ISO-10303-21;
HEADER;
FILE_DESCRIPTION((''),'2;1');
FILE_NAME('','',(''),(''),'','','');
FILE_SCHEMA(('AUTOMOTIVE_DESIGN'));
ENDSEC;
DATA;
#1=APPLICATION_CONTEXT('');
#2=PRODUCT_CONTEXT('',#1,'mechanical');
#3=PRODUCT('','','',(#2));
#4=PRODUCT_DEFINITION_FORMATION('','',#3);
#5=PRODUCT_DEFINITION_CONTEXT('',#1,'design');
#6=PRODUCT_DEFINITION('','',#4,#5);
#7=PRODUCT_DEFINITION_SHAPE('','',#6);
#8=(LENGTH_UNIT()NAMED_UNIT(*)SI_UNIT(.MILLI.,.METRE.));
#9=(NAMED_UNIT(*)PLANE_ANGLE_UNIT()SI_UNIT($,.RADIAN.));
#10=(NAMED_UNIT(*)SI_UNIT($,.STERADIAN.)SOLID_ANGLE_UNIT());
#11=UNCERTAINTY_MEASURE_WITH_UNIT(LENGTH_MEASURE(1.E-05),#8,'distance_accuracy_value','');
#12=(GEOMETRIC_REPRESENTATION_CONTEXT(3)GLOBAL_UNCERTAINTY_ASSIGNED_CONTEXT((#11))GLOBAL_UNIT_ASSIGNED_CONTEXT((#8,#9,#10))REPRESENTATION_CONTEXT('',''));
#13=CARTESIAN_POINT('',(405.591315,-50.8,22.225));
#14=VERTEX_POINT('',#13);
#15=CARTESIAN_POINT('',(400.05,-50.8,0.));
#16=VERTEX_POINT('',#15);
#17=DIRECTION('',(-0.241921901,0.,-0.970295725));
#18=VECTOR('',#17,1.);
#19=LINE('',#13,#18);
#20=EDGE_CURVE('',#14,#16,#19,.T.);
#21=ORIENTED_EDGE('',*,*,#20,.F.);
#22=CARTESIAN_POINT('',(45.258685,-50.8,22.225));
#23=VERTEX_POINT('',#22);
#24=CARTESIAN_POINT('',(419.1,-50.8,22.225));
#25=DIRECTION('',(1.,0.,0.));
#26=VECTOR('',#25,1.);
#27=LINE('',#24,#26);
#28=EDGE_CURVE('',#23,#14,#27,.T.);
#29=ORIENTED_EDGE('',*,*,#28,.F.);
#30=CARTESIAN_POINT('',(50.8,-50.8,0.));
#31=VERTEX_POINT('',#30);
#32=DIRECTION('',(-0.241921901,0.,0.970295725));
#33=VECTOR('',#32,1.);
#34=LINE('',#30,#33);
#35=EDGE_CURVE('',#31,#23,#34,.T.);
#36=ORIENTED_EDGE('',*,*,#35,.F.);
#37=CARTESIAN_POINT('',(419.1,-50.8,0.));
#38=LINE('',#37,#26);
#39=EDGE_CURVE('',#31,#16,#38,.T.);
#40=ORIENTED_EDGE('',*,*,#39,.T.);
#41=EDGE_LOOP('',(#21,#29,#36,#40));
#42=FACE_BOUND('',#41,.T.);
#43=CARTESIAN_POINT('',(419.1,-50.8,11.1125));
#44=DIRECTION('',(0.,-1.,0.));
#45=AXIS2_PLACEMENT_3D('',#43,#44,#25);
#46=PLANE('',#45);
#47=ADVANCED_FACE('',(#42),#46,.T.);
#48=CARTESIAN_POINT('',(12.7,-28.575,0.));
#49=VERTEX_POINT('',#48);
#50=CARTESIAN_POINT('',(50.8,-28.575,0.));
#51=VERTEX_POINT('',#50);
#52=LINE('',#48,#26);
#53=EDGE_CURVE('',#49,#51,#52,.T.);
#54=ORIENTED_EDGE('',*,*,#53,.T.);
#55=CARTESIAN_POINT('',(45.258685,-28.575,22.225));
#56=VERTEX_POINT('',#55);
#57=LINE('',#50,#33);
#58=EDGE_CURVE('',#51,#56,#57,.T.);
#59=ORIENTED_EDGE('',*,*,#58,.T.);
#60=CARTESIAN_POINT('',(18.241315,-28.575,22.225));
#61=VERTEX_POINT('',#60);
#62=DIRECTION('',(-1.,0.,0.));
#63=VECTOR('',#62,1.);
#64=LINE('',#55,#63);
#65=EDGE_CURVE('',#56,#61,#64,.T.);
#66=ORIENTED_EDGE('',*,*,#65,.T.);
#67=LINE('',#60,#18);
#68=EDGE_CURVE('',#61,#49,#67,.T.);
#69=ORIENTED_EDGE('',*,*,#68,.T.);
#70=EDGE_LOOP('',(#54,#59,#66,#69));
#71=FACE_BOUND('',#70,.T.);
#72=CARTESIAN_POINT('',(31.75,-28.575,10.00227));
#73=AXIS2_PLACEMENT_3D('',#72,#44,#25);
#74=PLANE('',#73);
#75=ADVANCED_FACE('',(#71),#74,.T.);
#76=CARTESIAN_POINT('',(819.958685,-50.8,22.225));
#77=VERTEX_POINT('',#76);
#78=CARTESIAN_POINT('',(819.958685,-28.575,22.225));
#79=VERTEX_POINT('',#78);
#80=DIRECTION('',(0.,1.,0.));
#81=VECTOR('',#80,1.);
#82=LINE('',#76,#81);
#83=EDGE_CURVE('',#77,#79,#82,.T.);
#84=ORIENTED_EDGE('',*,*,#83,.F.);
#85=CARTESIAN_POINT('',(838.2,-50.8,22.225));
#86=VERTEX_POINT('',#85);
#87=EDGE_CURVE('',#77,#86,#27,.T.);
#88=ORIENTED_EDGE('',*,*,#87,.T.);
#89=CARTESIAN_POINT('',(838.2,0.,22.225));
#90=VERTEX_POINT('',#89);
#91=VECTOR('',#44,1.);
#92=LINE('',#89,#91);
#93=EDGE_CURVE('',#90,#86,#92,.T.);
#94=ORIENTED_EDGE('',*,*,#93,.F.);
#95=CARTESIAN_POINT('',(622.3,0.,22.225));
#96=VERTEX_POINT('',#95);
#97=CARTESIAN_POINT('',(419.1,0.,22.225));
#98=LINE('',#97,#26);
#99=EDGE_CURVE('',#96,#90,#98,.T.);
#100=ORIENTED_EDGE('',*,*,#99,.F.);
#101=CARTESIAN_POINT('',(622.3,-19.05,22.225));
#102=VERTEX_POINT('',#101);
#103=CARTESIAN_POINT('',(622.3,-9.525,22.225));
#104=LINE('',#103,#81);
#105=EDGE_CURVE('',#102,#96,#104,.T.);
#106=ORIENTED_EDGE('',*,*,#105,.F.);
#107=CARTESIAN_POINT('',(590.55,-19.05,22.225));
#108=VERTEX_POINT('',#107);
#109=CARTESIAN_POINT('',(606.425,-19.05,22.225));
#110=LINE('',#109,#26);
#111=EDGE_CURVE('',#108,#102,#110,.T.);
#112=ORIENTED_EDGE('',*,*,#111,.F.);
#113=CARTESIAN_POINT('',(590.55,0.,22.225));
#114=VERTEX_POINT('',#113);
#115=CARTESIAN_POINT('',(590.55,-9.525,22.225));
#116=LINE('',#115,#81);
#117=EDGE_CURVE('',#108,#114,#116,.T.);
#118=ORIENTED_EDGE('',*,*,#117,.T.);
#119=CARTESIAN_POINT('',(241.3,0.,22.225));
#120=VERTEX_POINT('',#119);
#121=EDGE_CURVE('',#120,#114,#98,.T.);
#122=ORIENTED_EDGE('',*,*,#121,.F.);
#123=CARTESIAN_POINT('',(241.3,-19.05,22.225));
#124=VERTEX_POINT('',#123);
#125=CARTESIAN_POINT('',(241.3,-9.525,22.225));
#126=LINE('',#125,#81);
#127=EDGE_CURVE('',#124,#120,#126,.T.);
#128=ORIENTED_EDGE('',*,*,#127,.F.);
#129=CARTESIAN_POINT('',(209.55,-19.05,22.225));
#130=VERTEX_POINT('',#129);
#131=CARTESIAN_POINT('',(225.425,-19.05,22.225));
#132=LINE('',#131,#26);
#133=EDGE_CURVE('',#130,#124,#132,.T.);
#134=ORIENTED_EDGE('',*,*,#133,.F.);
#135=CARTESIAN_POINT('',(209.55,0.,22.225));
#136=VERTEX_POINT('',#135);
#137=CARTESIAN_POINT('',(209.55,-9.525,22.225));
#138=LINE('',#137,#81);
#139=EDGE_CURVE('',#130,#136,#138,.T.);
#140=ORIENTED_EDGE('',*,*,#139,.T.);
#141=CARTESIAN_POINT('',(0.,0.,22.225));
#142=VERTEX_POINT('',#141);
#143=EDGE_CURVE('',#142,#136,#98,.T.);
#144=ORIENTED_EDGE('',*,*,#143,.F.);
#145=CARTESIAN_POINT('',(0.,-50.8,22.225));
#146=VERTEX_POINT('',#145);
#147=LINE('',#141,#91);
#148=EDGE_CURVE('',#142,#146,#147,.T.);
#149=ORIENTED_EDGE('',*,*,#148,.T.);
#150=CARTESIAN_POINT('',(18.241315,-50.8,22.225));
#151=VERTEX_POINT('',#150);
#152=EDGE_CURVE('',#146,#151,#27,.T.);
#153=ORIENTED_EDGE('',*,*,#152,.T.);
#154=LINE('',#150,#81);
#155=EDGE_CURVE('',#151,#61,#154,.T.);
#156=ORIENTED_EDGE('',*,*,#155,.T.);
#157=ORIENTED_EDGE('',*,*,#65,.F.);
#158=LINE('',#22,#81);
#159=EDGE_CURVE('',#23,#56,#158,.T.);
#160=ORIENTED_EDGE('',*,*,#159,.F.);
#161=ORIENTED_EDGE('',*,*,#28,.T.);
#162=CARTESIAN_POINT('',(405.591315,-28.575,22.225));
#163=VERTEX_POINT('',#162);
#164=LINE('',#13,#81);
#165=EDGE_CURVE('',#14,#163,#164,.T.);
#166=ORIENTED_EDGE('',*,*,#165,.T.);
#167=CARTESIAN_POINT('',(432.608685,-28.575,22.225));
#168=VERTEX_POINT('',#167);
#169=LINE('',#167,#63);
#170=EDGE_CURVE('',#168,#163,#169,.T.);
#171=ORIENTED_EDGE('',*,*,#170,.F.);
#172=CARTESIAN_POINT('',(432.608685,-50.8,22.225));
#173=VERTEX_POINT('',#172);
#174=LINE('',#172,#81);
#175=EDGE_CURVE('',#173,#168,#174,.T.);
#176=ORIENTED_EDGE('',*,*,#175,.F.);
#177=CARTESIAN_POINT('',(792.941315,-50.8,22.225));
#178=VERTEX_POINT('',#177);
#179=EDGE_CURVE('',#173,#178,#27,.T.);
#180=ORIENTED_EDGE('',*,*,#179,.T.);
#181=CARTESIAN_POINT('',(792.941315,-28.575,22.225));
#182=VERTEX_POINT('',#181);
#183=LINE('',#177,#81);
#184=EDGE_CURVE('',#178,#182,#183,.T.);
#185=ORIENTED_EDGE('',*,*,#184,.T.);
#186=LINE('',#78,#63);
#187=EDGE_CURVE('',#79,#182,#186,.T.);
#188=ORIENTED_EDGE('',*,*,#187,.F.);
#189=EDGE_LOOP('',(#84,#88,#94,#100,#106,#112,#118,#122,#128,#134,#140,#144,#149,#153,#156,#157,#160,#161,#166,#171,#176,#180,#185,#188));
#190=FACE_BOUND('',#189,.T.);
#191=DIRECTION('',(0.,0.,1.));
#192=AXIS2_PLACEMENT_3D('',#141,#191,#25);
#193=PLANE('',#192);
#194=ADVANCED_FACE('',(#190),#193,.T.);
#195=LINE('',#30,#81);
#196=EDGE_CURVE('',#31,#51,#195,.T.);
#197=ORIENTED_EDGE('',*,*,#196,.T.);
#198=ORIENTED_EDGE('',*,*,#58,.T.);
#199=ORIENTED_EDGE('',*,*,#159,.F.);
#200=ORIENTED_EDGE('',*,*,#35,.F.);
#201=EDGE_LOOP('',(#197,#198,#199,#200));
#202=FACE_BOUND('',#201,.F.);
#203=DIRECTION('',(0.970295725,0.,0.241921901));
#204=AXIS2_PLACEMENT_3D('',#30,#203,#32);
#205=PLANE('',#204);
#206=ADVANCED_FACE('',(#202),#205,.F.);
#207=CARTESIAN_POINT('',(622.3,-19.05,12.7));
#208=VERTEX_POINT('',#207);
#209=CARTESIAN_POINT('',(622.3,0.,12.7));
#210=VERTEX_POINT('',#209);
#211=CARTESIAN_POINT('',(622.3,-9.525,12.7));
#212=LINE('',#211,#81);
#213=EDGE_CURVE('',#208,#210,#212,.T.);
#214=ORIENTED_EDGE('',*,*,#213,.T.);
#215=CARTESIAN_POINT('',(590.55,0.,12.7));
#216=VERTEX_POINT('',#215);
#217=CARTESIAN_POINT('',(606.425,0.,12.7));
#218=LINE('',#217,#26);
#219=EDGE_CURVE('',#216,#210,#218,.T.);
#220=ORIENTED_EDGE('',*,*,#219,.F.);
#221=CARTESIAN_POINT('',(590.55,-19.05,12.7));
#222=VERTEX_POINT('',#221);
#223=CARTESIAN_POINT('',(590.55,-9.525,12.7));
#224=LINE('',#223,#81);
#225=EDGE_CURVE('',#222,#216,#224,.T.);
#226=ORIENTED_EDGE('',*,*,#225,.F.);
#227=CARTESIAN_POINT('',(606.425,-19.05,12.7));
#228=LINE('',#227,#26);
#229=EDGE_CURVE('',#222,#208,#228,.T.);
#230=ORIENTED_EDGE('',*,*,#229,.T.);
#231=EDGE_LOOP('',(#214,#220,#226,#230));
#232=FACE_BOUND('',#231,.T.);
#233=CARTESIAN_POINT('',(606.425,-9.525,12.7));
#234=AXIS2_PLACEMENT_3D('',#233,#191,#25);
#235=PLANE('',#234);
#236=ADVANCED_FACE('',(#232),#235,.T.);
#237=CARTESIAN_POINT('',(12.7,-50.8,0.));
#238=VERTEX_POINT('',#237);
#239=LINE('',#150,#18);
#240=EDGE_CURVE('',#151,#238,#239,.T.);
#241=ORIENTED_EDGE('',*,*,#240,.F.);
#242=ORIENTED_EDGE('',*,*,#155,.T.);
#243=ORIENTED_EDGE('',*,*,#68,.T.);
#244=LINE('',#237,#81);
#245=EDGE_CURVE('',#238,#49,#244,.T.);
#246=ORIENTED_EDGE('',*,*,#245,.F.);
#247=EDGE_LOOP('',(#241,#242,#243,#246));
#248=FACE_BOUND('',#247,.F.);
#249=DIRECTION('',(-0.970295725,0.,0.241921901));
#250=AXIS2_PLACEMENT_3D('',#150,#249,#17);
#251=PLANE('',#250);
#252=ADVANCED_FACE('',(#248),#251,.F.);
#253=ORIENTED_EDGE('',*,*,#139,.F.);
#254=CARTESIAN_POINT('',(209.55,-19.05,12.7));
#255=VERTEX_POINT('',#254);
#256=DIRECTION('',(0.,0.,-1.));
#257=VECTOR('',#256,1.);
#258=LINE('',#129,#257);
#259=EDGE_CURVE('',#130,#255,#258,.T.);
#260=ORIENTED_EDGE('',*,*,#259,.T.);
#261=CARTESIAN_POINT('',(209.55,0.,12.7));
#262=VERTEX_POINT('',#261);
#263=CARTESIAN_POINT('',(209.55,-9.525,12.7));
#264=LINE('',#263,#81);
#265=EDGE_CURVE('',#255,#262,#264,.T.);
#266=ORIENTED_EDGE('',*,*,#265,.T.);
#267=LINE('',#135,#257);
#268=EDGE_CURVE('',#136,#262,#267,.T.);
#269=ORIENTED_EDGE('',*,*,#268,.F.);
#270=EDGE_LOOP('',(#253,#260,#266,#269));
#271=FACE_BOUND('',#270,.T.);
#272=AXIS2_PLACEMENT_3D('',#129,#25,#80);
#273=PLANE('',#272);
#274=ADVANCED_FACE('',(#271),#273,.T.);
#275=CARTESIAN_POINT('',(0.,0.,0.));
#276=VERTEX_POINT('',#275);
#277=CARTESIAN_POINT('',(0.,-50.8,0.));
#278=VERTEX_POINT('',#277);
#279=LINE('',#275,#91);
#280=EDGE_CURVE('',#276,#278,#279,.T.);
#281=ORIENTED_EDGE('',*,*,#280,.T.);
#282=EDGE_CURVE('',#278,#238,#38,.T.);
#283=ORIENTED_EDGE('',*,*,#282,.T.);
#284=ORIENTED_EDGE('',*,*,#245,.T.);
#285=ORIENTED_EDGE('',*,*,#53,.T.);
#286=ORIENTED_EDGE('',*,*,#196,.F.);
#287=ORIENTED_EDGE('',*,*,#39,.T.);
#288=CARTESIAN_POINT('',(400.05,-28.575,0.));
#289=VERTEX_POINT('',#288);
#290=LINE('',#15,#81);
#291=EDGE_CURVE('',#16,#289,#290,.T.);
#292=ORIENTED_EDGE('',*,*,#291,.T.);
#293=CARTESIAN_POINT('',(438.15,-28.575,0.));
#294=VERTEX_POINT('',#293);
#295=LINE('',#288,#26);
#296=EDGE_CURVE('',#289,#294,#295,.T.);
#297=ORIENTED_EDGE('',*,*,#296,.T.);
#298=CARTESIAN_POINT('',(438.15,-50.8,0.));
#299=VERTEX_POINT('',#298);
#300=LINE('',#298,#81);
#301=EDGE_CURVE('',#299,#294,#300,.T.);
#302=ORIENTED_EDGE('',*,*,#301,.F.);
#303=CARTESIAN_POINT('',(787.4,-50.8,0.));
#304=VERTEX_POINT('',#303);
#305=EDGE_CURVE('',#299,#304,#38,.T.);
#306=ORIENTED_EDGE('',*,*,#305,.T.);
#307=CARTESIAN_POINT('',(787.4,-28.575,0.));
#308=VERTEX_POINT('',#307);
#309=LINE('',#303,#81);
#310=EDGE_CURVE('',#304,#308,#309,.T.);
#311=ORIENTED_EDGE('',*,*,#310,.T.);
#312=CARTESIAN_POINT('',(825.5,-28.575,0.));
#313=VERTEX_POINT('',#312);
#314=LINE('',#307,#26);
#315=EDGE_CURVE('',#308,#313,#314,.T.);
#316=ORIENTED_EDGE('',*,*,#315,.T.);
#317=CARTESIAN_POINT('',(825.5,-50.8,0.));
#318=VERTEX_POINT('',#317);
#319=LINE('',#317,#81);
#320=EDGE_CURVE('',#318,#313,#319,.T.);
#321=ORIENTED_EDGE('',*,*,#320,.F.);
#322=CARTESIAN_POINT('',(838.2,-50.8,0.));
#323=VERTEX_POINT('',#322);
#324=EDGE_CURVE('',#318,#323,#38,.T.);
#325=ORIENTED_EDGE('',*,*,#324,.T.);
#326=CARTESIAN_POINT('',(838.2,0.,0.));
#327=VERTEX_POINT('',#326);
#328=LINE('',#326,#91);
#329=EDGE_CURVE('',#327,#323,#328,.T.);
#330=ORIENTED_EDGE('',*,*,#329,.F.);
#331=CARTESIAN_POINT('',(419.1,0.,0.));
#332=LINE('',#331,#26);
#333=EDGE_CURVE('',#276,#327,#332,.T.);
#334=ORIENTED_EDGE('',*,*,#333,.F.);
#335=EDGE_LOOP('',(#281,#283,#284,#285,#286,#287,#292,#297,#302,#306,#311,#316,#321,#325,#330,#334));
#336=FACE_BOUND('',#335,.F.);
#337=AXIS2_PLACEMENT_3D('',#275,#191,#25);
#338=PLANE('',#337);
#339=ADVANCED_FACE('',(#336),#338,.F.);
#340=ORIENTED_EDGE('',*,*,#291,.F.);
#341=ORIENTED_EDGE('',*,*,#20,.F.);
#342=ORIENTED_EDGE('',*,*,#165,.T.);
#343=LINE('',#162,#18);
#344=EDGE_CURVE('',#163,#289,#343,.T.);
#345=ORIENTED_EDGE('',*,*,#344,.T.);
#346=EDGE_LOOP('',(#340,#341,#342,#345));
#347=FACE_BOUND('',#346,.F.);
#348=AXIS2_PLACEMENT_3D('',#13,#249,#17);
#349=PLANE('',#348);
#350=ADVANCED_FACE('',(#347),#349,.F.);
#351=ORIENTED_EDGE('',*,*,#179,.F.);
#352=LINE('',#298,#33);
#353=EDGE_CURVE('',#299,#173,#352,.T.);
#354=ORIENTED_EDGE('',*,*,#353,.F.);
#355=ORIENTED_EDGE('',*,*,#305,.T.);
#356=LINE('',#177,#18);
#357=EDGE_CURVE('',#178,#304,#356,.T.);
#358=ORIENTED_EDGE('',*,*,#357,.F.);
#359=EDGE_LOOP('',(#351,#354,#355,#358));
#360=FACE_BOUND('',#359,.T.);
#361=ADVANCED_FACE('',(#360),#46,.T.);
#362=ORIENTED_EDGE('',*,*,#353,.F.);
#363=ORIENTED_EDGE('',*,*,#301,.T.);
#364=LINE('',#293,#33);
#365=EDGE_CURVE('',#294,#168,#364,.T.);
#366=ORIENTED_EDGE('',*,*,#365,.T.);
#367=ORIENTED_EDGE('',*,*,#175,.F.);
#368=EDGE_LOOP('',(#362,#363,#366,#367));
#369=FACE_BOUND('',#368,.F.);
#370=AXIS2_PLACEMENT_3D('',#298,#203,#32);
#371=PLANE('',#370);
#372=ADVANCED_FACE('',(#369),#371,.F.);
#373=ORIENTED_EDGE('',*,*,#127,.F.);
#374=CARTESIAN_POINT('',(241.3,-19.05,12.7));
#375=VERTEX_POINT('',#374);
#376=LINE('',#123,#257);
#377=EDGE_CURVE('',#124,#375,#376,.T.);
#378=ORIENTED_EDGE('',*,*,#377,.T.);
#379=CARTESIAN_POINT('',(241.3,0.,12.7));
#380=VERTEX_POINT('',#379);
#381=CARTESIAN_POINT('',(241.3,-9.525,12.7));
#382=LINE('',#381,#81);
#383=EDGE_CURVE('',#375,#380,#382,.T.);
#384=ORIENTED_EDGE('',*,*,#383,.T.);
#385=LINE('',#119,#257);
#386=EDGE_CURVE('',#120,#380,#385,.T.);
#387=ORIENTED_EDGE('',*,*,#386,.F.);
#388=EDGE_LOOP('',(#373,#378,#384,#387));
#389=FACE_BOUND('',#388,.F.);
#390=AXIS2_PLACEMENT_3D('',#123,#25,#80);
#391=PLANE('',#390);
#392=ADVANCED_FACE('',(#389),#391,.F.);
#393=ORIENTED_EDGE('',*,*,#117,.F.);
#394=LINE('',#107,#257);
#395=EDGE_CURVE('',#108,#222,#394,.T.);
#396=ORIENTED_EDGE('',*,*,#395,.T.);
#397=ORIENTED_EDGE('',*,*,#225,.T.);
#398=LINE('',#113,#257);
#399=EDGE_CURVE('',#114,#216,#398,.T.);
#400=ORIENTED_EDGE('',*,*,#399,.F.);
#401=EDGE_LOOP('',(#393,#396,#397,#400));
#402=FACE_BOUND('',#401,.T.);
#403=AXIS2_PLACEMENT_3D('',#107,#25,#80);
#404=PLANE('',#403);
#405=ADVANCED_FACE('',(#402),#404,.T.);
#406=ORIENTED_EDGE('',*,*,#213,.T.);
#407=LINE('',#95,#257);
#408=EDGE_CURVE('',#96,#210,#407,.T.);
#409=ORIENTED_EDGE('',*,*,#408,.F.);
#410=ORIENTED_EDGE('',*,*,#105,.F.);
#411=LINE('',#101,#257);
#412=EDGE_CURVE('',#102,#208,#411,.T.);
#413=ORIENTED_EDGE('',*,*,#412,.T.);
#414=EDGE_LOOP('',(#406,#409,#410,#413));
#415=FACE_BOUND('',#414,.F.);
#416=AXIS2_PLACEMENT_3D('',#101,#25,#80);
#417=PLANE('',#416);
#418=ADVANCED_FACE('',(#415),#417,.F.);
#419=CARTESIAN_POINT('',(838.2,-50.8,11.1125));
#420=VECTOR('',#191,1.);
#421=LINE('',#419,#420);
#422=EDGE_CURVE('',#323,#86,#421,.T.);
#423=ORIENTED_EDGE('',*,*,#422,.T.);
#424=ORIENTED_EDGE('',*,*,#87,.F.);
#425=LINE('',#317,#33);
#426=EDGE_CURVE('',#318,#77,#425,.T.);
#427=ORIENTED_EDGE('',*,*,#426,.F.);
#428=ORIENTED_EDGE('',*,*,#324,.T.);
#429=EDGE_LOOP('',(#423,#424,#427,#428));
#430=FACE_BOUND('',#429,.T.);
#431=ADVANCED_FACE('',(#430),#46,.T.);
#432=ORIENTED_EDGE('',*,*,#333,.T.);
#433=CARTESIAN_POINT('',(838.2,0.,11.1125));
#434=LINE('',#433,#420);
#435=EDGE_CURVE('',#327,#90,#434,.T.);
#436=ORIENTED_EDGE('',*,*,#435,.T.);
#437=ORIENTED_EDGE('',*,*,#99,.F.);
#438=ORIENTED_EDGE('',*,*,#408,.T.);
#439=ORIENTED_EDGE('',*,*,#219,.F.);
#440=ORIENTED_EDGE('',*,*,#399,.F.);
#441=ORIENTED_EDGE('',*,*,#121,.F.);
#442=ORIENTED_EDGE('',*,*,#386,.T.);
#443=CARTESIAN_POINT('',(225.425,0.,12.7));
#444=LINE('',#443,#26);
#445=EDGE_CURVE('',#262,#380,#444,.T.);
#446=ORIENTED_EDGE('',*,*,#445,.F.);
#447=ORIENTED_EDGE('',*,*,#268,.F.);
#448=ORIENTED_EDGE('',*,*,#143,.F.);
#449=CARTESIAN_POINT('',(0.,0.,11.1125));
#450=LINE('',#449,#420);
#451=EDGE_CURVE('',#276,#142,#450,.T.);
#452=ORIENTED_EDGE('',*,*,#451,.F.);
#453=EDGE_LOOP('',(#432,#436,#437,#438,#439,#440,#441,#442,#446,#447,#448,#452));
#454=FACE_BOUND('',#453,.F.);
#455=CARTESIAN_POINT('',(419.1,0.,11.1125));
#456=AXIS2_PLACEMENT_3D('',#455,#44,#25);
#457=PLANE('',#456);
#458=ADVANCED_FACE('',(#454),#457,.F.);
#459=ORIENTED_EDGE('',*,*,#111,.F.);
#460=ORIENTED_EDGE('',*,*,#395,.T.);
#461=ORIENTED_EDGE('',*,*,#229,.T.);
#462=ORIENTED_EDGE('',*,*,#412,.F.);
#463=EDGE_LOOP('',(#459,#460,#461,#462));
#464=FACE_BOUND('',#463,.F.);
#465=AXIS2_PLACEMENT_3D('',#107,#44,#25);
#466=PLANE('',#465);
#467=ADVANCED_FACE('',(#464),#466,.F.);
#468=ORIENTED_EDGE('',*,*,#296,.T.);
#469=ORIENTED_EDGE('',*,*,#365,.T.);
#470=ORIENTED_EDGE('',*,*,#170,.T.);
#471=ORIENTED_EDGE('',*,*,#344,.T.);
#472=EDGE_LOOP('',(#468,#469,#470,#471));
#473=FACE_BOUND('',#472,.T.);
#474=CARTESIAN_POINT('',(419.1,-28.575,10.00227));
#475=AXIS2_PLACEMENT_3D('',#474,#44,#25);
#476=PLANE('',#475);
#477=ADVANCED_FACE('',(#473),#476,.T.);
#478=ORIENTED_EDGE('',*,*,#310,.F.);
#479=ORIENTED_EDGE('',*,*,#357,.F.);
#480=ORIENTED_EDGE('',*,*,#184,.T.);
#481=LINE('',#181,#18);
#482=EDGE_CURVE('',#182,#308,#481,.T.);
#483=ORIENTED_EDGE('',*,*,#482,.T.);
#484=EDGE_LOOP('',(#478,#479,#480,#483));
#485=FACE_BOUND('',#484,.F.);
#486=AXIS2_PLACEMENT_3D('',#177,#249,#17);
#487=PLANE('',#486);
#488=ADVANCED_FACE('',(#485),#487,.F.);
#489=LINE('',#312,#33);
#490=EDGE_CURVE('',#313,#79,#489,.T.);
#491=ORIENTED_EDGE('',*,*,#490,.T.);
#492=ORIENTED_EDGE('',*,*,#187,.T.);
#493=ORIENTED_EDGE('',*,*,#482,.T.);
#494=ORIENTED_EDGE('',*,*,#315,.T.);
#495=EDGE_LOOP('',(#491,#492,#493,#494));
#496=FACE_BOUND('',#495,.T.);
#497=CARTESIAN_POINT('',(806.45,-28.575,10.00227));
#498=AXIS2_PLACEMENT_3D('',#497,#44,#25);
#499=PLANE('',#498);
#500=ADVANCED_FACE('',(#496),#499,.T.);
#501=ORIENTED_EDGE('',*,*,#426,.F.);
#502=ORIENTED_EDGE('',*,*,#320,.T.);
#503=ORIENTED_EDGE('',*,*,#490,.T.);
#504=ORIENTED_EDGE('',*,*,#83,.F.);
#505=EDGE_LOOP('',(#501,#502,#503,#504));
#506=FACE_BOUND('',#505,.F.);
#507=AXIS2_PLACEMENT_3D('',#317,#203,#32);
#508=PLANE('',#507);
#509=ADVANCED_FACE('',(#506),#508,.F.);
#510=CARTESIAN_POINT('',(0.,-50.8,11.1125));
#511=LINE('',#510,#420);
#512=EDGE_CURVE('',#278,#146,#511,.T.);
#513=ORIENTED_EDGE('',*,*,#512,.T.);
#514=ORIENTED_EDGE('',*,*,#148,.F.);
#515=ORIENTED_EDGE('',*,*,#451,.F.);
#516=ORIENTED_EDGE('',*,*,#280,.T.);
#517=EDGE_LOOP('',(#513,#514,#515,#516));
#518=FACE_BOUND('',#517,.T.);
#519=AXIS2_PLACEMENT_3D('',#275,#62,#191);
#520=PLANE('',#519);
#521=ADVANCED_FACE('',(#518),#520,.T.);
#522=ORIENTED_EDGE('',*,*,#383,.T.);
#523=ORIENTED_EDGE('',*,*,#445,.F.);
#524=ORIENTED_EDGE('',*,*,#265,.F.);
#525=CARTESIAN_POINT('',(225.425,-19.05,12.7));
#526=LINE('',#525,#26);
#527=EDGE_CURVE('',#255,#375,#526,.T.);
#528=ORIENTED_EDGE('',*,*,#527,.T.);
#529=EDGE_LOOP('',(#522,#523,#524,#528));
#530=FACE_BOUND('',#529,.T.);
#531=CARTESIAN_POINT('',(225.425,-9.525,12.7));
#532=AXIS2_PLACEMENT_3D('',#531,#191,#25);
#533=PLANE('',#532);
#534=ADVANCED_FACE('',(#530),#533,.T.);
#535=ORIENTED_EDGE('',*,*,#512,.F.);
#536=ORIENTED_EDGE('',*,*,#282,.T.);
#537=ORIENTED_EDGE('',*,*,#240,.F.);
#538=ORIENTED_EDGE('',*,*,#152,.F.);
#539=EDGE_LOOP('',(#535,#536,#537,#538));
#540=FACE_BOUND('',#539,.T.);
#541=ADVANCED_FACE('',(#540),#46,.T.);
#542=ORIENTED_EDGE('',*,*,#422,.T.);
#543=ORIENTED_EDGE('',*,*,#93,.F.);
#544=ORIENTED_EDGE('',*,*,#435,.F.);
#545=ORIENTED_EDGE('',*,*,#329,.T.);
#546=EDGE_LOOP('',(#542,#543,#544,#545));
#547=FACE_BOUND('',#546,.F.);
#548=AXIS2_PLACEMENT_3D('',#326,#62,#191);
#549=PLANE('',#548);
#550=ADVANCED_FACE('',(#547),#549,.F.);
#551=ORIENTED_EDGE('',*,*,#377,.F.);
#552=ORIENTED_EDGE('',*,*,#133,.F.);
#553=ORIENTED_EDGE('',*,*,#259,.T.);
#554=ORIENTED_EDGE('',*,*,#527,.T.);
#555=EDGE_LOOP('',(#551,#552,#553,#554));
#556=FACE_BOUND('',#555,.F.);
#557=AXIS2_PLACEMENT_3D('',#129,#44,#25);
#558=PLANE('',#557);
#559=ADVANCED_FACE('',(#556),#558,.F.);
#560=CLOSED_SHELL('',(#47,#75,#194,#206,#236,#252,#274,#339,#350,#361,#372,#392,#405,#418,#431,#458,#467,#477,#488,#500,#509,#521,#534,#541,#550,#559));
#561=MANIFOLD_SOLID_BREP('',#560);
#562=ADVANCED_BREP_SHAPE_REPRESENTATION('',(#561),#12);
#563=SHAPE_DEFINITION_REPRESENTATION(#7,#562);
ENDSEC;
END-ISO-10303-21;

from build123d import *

# Parameters (mm, degrees)
F0_W     = 838.2
F0_H     = 22.225
F1_DEPTH = 50.8
F3_DEPTH = 22.225
F4_W     = 31.75
F4_H     = 19.05
F5_DEPTH = 9.525


with BuildPart() as f1:
    # F0 (on Front) → F1 (new body)
    with BuildSketch(Plane.XZ):
        with Locations((419.1, 11.1125)):
            Rectangle(F0_W, F0_H)
    extrude(amount=F1_DEPTH)

    # F2 (on face) → F3 (cut)
    with BuildSketch(Plane.XZ.offset(50.8)):
        Polygon((405.591315, 22.225), (400.05, 0), (438.15, 0), (432.608685, 22.225), align=None)
        Polygon((792.941315, 22.225), (787.4, 0), (825.5, 0), (819.958685, 22.225), align=None)
        Polygon((12.7, 0), (50.8, 0), (45.258685, 22.225), (18.241315, 22.225), align=None)
    extrude(amount=-F3_DEPTH, mode=Mode.SUBTRACT)

    # F4 (on face) → F5 (cut)
    with BuildSketch(Plane.XY.offset(22.225)):
        with Locations((225.425, -9.525)):
            Rectangle(F4_W, F4_H)
        with Locations((606.425, -9.525)):
            Rectangle(F4_W, F4_H)
    extrude(amount=-F5_DEPTH, mode=Mode.SUBTRACT)


solid = f1.part
